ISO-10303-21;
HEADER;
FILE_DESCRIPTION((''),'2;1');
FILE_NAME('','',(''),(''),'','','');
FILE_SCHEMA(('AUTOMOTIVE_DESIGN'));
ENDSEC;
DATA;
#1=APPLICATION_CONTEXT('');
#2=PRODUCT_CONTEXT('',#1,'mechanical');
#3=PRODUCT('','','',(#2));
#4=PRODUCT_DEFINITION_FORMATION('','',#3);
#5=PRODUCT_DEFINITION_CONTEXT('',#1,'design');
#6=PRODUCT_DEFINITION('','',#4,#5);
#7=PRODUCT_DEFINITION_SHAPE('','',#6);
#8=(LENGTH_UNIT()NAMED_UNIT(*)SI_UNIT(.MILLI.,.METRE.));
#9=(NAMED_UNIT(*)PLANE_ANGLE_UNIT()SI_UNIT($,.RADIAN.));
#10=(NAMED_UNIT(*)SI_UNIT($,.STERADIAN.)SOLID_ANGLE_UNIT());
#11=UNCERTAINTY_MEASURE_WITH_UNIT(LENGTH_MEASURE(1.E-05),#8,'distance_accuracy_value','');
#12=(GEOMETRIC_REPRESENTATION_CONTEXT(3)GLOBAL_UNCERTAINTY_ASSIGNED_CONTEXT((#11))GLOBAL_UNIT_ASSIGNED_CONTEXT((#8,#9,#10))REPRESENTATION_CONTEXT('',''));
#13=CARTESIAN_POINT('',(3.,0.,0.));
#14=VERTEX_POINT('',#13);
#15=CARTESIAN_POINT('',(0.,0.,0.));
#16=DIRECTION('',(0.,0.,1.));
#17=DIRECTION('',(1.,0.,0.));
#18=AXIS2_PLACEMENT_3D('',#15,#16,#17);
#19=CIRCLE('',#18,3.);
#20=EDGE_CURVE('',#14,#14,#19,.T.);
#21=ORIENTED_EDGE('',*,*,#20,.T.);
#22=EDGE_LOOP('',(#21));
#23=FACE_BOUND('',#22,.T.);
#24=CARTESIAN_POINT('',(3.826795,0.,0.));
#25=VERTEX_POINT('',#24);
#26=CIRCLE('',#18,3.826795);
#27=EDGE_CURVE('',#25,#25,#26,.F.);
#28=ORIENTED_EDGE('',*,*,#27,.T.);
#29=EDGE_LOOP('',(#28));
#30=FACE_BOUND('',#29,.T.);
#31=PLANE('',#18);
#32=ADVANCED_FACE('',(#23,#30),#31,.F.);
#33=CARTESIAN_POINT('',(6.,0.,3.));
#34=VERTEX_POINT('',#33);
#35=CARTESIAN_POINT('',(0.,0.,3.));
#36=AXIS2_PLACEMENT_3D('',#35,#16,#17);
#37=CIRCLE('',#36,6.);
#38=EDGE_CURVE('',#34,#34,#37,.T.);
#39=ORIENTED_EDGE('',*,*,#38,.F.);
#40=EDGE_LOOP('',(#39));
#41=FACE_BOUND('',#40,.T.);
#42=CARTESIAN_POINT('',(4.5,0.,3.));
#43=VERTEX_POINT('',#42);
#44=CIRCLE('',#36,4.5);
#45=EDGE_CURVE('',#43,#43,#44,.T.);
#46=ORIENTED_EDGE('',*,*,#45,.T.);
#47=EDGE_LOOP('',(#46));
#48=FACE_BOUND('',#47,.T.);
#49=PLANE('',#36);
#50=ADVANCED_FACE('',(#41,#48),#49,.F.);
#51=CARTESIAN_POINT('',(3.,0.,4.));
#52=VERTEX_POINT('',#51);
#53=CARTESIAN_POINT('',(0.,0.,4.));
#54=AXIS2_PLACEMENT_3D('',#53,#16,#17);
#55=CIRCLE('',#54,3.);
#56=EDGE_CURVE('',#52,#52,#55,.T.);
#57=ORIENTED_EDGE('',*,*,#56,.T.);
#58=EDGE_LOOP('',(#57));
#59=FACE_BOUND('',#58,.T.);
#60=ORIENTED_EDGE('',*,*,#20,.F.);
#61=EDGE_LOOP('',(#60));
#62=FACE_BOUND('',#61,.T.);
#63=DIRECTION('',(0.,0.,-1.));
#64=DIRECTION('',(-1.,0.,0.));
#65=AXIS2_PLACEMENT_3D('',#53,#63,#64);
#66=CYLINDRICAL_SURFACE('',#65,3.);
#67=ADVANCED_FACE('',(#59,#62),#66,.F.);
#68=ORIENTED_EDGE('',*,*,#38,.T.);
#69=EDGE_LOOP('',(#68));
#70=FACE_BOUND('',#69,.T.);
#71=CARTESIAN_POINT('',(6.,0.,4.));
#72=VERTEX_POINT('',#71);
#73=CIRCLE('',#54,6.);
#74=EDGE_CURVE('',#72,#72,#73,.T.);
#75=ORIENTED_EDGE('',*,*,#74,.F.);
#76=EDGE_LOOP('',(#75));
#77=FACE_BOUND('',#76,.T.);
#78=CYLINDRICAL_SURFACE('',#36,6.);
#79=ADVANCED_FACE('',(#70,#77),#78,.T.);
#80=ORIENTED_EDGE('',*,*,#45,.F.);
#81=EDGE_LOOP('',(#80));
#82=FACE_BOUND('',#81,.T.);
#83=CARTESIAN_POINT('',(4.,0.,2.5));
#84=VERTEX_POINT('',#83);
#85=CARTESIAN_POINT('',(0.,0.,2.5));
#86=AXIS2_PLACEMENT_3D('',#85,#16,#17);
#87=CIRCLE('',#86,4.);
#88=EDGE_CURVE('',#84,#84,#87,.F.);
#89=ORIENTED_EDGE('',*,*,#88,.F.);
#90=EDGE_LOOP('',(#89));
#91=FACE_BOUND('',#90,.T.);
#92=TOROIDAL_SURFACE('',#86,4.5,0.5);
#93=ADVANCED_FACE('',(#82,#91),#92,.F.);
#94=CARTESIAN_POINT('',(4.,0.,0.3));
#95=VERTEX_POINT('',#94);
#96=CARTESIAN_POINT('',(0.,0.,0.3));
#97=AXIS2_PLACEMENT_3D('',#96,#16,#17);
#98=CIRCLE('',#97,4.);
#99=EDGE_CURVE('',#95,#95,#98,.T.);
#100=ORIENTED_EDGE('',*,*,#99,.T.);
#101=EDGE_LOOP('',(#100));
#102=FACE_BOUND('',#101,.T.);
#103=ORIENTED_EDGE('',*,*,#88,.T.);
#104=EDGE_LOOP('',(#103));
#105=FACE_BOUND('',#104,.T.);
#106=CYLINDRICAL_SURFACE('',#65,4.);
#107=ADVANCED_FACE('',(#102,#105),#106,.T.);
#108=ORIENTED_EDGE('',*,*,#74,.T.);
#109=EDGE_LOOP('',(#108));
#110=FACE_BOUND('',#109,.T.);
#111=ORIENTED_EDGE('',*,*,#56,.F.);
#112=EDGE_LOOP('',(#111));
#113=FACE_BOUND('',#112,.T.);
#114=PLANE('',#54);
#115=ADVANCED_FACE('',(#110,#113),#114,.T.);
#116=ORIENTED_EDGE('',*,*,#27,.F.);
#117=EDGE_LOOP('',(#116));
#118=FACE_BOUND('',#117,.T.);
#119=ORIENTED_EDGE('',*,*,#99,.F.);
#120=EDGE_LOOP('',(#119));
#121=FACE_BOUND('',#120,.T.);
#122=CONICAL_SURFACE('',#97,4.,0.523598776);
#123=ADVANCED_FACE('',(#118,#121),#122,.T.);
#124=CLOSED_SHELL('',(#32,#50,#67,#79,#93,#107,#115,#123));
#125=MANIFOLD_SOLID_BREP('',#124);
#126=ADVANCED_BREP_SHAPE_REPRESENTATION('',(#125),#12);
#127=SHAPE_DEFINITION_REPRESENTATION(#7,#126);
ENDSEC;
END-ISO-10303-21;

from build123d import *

# Parameters (mm, degrees)
SKETCH1_R           = 4
SKETCH1_R_2         = 3
BOSS_EXTRUDE1_DEPTH = 4
SKETCH2_R           = 6
SKETCH2_R_2         = 3
BOSS_EXTRUDE2_DEPTH = 1
FILLET1_R           = 0.5
CHAMFER1_SIZE       = 0.3
CHAMFER1_SIZE2      = 0.173205081


with BuildPart() as part:
    # Sketch1 → Boss-Extrude1 (new body)
    with BuildSketch(Plane.XY):
        Circle(SKETCH1_R)
        Circle(SKETCH1_R_2, mode=Mode.SUBTRACT)
    extrude(amount=BOSS_EXTRUDE1_DEPTH)

    # Sketch2 → Boss-Extrude2 (add)
    with BuildSketch(Plane.XY.offset(4)):
        Circle(SKETCH2_R)
        Circle(SKETCH2_R_2, mode=Mode.SUBTRACT)
    extrude(amount=-BOSS_EXTRUDE2_DEPTH)

    # Fillet1
    fillet1_edges = [part.edges().sort_by_distance(p)[0] for p in [
        (-4, 0, 3),
    ]]
    fillet(fillet1_edges, radius=FILLET1_R)

    # Chamfer1
    chamfer1_edges = [part.edges().sort_by_distance(p)[0] for p in [
        (-4, 0, 0),
    ]]
    chamfer1_side = [part.faces().sort_by_distance(p)[0] for p in [
        (-4, 0, 1.25),
    ]]
    chamfer(chamfer1_edges, length=CHAMFER1_SIZE, length2=CHAMFER1_SIZE2, reference=chamfer1_side[0])


solid = part.part
